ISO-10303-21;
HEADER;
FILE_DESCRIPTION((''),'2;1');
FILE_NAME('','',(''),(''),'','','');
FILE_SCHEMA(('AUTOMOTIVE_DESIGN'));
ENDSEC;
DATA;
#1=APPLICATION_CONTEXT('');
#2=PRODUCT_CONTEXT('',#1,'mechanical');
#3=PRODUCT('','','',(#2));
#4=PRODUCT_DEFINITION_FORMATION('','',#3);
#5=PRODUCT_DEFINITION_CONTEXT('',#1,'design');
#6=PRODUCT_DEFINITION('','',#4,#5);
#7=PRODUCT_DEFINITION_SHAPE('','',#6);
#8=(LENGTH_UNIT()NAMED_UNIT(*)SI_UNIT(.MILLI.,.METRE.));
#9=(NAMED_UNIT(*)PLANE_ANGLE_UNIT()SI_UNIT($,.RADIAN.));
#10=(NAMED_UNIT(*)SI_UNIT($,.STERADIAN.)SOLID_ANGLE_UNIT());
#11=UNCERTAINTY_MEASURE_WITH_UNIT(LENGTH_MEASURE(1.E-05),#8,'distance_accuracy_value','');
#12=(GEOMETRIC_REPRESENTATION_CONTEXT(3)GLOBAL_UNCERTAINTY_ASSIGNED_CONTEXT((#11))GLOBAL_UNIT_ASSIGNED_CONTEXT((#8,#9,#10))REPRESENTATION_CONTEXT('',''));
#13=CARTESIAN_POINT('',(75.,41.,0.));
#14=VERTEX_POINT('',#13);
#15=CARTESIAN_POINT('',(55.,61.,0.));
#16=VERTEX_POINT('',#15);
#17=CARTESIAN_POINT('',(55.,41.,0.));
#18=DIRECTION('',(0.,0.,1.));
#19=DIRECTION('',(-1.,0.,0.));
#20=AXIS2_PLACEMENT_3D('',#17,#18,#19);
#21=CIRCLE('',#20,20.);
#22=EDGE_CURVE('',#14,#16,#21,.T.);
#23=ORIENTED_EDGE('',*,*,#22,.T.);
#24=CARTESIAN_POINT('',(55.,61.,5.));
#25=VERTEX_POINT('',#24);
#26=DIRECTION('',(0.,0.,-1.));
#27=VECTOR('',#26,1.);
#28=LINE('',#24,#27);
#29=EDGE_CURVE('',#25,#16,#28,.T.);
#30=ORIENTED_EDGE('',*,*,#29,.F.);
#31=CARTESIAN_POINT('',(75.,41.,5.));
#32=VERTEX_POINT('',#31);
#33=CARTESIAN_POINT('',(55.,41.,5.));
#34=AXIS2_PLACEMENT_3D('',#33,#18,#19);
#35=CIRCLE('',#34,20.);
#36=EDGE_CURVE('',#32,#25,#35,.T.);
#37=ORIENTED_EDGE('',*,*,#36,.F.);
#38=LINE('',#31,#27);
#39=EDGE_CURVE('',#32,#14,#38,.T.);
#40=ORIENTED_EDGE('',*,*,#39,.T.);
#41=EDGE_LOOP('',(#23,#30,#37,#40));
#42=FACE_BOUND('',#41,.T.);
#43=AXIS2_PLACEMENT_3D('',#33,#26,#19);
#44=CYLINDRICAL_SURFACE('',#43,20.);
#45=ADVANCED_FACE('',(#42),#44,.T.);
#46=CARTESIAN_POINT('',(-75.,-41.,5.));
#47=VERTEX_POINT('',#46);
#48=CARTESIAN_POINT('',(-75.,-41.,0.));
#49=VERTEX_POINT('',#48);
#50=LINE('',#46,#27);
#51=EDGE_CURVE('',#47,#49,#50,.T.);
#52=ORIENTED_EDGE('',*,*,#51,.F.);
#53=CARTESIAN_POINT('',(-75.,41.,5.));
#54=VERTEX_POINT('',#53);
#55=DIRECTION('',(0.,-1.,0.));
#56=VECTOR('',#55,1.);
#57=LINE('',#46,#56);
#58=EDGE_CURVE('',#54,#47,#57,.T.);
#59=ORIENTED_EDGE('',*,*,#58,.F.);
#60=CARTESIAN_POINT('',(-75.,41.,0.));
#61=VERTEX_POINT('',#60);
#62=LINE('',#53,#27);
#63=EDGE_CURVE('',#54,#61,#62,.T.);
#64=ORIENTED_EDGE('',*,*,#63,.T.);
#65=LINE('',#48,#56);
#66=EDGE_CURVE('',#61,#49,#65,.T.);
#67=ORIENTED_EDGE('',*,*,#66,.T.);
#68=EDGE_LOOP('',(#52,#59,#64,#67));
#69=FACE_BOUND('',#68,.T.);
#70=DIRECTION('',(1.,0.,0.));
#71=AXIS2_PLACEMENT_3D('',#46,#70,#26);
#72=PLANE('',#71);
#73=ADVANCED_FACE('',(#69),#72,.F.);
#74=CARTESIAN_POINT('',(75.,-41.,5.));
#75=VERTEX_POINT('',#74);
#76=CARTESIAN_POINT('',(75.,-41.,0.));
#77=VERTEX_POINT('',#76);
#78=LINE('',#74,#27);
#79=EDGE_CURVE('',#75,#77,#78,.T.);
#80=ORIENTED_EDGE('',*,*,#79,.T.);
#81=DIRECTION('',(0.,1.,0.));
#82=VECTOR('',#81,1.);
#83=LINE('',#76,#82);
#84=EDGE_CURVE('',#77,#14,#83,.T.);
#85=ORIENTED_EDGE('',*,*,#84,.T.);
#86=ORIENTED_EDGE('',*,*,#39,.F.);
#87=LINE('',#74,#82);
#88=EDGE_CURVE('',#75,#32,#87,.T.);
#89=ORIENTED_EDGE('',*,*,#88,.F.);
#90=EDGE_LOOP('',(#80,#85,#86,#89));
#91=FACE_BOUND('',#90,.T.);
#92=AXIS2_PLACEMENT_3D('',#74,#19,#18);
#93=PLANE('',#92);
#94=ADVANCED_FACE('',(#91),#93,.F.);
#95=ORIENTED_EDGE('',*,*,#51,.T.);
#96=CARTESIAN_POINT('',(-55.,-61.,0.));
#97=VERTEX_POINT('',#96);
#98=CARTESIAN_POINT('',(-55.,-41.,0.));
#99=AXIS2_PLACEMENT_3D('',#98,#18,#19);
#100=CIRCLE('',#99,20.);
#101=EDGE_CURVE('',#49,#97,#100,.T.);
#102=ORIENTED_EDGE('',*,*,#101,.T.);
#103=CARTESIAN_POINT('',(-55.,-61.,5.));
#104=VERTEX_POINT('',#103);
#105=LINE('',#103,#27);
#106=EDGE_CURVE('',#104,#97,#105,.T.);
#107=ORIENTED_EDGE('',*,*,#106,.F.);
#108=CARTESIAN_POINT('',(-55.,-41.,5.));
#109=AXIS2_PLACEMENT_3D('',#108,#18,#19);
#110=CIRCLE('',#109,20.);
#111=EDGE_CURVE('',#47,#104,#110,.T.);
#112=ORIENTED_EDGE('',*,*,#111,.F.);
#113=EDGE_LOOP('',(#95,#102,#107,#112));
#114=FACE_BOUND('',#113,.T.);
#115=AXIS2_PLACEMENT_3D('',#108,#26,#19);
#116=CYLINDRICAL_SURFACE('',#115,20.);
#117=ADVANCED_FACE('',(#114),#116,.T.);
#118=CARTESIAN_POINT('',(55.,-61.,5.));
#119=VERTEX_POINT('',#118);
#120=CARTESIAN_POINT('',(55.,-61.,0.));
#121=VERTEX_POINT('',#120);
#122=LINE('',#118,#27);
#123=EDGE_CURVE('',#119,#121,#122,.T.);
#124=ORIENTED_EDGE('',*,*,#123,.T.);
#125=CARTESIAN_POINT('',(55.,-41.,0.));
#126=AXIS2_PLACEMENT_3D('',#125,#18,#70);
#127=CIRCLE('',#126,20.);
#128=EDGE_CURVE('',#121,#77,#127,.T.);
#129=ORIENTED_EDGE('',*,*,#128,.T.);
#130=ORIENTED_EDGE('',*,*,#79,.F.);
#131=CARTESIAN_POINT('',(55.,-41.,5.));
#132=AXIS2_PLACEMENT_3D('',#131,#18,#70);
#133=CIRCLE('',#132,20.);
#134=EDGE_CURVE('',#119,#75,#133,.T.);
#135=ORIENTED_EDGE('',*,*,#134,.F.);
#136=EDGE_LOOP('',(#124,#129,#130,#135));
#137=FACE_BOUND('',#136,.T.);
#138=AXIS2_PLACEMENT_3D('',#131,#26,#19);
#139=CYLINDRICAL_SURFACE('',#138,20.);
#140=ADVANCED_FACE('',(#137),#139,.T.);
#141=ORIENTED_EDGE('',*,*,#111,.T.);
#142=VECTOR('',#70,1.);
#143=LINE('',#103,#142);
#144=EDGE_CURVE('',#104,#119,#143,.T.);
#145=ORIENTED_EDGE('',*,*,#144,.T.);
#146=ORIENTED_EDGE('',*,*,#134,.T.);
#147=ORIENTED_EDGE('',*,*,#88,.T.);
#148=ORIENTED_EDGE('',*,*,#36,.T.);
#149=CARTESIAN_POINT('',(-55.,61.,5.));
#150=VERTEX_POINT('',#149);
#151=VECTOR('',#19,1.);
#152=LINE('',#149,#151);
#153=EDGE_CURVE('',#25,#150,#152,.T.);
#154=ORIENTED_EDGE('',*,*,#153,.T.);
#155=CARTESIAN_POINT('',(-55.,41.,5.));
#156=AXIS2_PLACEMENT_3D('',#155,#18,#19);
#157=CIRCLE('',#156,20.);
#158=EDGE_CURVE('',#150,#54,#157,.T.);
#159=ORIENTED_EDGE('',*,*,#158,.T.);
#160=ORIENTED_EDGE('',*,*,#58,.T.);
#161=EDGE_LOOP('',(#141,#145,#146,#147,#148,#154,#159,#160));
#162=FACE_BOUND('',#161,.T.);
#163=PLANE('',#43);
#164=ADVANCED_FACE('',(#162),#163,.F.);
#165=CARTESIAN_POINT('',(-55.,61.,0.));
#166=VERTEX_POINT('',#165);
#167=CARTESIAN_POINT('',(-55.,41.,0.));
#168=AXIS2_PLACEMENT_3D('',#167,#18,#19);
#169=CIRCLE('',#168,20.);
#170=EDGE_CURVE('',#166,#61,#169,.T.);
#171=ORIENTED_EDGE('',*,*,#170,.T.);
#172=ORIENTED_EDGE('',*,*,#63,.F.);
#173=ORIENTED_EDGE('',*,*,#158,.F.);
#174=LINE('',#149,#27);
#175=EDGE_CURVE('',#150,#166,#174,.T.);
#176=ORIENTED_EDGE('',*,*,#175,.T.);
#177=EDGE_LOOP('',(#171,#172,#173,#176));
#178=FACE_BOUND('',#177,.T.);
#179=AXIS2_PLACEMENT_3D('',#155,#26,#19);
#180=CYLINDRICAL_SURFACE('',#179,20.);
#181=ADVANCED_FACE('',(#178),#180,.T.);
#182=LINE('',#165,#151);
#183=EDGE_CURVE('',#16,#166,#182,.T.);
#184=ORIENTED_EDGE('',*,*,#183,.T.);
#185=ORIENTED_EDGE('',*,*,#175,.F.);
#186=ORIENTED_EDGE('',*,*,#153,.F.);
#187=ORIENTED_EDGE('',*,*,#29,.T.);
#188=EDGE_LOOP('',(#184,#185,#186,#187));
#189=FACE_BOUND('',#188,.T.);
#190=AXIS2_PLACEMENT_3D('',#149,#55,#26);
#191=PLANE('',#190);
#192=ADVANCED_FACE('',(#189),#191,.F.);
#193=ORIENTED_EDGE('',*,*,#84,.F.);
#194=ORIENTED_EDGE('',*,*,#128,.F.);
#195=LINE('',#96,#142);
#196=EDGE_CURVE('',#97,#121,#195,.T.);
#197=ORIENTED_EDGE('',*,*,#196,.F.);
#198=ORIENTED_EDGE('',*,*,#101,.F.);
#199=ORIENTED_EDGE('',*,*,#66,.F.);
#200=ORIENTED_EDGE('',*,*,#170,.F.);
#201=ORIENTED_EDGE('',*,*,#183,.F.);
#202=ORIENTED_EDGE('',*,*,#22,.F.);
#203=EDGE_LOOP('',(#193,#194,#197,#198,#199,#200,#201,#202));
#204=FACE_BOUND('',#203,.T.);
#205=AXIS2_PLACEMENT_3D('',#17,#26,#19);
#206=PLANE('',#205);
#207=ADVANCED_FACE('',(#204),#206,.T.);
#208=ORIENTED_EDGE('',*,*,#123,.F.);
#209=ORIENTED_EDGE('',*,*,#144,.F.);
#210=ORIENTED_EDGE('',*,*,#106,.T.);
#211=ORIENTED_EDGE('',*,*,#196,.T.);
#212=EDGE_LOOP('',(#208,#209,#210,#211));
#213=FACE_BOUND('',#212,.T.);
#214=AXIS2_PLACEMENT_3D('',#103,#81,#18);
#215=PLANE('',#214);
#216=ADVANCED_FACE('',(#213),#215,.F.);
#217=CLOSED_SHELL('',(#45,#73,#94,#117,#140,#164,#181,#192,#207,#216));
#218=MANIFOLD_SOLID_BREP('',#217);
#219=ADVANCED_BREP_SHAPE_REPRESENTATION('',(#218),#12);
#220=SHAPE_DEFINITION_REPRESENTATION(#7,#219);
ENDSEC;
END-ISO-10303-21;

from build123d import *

# Parameters (mm, degrees)
EXTRUDE_1_DEPTH = 5


with BuildPart() as part:
    # 草图1 → 凸台-拉伸1 (new body)
    with BuildSketch(Plane.XY):
        with BuildLine():
            Line((-55, -61), (55, -61))
            ThreePointArc((55, -61), (69.142135624, -55.142135624), (75, -41))
            Line((75, -41), (75, 41))
            ThreePointArc((75, 41), (69.142135624, 55.142135624), (55, 61))
            Line((55, 61), (-55, 61))
            ThreePointArc((-55, 61), (-69.142135624, 55.142135624), (-75, 41))
            Line((-75, 41), (-75, -41))
            ThreePointArc((-75, -41), (-69.142135624, -55.142135624), (-55, -61))
        make_face()
    extrude(amount=EXTRUDE_1_DEPTH)


solid = part.part
